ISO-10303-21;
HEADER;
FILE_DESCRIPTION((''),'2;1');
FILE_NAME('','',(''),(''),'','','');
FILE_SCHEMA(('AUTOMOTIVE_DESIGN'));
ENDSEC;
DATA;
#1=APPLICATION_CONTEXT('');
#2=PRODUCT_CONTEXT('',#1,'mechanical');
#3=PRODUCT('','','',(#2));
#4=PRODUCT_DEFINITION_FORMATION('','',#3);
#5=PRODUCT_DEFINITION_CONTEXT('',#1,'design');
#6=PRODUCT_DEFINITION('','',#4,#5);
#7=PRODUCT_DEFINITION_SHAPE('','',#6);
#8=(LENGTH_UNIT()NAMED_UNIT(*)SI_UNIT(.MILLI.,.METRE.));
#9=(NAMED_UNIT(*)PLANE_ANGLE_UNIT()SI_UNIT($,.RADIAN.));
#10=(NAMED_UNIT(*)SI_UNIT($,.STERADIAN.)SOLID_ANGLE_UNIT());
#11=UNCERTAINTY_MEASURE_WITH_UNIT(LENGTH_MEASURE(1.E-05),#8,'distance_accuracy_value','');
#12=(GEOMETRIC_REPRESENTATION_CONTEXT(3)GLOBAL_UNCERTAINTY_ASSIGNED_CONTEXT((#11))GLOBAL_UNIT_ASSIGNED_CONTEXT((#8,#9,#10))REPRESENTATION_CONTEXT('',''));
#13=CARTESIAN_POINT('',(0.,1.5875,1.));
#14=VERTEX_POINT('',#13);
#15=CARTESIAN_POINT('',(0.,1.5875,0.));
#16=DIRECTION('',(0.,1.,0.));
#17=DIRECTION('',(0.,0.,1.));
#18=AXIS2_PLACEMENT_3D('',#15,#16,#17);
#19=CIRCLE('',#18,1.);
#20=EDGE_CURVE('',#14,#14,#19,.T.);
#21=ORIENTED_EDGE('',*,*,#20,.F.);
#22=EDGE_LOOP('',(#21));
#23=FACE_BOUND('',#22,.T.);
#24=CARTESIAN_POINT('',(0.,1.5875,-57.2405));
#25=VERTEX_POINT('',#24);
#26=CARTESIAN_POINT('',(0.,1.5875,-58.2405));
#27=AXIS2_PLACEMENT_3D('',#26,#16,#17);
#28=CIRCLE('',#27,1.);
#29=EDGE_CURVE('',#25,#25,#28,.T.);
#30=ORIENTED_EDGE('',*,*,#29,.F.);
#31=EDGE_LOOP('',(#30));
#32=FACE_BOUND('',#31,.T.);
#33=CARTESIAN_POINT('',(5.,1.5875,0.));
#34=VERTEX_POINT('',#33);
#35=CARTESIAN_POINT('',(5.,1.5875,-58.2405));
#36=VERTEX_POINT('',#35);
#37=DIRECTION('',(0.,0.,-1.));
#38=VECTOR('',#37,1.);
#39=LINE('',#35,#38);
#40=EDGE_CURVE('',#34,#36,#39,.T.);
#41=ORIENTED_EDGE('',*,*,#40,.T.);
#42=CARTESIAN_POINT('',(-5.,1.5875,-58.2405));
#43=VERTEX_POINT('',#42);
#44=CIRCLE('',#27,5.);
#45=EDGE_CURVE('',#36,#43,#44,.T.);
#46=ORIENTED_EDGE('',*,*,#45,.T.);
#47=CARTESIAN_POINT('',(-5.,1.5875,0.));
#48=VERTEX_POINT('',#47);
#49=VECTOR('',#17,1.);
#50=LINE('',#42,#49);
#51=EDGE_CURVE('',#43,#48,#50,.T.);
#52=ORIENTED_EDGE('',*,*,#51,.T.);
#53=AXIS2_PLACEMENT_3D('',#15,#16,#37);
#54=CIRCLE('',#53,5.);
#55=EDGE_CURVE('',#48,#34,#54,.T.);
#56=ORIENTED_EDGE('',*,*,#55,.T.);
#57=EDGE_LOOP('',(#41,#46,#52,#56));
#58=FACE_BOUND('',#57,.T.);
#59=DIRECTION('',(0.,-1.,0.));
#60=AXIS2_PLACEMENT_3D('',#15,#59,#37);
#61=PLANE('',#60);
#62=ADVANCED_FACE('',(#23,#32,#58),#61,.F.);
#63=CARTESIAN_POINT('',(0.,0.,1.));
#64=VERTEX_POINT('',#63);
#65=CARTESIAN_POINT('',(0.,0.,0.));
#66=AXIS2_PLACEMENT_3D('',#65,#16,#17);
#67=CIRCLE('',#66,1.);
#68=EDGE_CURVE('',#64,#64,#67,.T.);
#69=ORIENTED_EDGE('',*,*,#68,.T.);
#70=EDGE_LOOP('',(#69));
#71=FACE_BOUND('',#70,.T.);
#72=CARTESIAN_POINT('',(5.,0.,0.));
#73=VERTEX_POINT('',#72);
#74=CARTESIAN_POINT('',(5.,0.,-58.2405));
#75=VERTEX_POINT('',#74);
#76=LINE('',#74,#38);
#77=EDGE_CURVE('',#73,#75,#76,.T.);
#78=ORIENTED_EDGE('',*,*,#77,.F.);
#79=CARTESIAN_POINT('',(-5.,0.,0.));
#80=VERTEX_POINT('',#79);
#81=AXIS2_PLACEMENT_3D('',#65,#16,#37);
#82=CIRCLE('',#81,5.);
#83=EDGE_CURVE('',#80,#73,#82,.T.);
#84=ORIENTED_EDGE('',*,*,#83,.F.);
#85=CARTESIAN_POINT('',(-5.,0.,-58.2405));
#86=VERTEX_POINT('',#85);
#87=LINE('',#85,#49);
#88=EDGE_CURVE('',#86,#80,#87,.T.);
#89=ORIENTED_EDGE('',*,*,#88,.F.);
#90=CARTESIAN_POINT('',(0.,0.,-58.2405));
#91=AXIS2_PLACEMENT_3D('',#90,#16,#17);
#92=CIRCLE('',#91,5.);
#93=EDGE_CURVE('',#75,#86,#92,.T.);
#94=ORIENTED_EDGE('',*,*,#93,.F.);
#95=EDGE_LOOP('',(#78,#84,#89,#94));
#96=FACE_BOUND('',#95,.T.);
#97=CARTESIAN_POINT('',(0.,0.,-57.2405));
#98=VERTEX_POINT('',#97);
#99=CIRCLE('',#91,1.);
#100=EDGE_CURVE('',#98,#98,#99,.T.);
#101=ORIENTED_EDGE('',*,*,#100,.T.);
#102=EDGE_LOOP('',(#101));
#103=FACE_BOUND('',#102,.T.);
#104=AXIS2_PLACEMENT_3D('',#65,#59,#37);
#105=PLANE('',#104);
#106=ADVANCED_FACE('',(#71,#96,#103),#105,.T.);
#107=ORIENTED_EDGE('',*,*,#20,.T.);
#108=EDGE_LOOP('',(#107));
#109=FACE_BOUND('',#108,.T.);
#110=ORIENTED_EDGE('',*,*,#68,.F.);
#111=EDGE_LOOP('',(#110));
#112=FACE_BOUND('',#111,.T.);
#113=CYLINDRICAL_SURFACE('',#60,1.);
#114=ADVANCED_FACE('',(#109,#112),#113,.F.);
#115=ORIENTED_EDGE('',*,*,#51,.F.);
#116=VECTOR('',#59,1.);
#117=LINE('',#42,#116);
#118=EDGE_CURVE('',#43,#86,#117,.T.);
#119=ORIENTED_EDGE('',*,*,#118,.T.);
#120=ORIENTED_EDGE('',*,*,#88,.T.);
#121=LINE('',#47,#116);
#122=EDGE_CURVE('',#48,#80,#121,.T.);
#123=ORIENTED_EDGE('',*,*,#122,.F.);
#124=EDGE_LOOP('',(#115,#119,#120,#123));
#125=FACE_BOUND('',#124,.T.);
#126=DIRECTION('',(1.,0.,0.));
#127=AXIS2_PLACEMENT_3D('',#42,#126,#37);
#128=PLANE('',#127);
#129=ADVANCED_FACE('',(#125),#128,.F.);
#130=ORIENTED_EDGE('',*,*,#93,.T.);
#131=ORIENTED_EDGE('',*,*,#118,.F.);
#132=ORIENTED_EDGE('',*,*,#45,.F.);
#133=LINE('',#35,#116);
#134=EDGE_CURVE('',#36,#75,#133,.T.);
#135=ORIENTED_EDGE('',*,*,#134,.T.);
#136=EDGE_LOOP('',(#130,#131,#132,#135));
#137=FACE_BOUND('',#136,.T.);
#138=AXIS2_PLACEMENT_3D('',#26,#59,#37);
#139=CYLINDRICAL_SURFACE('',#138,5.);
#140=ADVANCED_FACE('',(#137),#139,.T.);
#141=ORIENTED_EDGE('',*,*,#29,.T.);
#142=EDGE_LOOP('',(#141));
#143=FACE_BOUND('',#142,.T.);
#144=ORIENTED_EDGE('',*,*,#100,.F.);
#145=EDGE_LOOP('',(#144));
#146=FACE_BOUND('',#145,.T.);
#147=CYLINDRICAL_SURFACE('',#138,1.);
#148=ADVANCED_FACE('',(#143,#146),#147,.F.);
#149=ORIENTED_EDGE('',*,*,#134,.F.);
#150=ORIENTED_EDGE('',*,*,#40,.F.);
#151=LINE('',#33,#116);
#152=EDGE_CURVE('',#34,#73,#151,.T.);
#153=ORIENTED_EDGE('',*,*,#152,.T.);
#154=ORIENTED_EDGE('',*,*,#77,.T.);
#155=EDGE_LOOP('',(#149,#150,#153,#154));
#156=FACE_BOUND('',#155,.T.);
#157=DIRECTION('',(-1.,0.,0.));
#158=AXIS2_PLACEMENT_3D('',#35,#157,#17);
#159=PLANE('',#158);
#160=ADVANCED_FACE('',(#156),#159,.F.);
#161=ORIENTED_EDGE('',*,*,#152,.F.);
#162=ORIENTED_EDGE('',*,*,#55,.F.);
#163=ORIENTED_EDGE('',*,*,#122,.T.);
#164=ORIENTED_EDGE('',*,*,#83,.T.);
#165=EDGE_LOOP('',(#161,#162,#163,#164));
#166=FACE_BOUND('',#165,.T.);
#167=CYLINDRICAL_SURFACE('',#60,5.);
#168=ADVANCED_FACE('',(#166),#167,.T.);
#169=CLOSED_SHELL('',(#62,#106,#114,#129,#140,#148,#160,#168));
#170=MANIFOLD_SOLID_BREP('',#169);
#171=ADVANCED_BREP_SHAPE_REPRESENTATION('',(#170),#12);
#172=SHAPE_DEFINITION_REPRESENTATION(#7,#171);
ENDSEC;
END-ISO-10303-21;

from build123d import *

# Parameters (mm, degrees)
SKETCH2_R           = 1
BOSS_EXTRUDE1_DEPTH = 1.5875


with BuildPart() as part:
    # Sketch2 → Boss-Extrude1 (new body)
    with BuildSketch(Plane(origin=(0, 0, 0), x_dir=(1, 0, 0), z_dir=(0, 1, 0))):
        with BuildLine():
            Line((-5, 58.2405), (-5, 0))
            ThreePointArc((-5, 0), (0, -5), (5, 0))
            Line((5, 0), (5, 58.2405))
            ThreePointArc((5, 58.2405), (0, 63.2405), (-5, 58.2405))
        make_face()
        with Locations(Location((0, 0, 0), (0, 0, 270))):
            Circle(SKETCH2_R, mode=Mode.SUBTRACT)
        with Locations(Location((0, 58.2405, 0), (0, 0, 270))):
            Circle(SKETCH2_R, mode=Mode.SUBTRACT)
    extrude(amount=BOSS_EXTRUDE1_DEPTH)


solid = part.part
